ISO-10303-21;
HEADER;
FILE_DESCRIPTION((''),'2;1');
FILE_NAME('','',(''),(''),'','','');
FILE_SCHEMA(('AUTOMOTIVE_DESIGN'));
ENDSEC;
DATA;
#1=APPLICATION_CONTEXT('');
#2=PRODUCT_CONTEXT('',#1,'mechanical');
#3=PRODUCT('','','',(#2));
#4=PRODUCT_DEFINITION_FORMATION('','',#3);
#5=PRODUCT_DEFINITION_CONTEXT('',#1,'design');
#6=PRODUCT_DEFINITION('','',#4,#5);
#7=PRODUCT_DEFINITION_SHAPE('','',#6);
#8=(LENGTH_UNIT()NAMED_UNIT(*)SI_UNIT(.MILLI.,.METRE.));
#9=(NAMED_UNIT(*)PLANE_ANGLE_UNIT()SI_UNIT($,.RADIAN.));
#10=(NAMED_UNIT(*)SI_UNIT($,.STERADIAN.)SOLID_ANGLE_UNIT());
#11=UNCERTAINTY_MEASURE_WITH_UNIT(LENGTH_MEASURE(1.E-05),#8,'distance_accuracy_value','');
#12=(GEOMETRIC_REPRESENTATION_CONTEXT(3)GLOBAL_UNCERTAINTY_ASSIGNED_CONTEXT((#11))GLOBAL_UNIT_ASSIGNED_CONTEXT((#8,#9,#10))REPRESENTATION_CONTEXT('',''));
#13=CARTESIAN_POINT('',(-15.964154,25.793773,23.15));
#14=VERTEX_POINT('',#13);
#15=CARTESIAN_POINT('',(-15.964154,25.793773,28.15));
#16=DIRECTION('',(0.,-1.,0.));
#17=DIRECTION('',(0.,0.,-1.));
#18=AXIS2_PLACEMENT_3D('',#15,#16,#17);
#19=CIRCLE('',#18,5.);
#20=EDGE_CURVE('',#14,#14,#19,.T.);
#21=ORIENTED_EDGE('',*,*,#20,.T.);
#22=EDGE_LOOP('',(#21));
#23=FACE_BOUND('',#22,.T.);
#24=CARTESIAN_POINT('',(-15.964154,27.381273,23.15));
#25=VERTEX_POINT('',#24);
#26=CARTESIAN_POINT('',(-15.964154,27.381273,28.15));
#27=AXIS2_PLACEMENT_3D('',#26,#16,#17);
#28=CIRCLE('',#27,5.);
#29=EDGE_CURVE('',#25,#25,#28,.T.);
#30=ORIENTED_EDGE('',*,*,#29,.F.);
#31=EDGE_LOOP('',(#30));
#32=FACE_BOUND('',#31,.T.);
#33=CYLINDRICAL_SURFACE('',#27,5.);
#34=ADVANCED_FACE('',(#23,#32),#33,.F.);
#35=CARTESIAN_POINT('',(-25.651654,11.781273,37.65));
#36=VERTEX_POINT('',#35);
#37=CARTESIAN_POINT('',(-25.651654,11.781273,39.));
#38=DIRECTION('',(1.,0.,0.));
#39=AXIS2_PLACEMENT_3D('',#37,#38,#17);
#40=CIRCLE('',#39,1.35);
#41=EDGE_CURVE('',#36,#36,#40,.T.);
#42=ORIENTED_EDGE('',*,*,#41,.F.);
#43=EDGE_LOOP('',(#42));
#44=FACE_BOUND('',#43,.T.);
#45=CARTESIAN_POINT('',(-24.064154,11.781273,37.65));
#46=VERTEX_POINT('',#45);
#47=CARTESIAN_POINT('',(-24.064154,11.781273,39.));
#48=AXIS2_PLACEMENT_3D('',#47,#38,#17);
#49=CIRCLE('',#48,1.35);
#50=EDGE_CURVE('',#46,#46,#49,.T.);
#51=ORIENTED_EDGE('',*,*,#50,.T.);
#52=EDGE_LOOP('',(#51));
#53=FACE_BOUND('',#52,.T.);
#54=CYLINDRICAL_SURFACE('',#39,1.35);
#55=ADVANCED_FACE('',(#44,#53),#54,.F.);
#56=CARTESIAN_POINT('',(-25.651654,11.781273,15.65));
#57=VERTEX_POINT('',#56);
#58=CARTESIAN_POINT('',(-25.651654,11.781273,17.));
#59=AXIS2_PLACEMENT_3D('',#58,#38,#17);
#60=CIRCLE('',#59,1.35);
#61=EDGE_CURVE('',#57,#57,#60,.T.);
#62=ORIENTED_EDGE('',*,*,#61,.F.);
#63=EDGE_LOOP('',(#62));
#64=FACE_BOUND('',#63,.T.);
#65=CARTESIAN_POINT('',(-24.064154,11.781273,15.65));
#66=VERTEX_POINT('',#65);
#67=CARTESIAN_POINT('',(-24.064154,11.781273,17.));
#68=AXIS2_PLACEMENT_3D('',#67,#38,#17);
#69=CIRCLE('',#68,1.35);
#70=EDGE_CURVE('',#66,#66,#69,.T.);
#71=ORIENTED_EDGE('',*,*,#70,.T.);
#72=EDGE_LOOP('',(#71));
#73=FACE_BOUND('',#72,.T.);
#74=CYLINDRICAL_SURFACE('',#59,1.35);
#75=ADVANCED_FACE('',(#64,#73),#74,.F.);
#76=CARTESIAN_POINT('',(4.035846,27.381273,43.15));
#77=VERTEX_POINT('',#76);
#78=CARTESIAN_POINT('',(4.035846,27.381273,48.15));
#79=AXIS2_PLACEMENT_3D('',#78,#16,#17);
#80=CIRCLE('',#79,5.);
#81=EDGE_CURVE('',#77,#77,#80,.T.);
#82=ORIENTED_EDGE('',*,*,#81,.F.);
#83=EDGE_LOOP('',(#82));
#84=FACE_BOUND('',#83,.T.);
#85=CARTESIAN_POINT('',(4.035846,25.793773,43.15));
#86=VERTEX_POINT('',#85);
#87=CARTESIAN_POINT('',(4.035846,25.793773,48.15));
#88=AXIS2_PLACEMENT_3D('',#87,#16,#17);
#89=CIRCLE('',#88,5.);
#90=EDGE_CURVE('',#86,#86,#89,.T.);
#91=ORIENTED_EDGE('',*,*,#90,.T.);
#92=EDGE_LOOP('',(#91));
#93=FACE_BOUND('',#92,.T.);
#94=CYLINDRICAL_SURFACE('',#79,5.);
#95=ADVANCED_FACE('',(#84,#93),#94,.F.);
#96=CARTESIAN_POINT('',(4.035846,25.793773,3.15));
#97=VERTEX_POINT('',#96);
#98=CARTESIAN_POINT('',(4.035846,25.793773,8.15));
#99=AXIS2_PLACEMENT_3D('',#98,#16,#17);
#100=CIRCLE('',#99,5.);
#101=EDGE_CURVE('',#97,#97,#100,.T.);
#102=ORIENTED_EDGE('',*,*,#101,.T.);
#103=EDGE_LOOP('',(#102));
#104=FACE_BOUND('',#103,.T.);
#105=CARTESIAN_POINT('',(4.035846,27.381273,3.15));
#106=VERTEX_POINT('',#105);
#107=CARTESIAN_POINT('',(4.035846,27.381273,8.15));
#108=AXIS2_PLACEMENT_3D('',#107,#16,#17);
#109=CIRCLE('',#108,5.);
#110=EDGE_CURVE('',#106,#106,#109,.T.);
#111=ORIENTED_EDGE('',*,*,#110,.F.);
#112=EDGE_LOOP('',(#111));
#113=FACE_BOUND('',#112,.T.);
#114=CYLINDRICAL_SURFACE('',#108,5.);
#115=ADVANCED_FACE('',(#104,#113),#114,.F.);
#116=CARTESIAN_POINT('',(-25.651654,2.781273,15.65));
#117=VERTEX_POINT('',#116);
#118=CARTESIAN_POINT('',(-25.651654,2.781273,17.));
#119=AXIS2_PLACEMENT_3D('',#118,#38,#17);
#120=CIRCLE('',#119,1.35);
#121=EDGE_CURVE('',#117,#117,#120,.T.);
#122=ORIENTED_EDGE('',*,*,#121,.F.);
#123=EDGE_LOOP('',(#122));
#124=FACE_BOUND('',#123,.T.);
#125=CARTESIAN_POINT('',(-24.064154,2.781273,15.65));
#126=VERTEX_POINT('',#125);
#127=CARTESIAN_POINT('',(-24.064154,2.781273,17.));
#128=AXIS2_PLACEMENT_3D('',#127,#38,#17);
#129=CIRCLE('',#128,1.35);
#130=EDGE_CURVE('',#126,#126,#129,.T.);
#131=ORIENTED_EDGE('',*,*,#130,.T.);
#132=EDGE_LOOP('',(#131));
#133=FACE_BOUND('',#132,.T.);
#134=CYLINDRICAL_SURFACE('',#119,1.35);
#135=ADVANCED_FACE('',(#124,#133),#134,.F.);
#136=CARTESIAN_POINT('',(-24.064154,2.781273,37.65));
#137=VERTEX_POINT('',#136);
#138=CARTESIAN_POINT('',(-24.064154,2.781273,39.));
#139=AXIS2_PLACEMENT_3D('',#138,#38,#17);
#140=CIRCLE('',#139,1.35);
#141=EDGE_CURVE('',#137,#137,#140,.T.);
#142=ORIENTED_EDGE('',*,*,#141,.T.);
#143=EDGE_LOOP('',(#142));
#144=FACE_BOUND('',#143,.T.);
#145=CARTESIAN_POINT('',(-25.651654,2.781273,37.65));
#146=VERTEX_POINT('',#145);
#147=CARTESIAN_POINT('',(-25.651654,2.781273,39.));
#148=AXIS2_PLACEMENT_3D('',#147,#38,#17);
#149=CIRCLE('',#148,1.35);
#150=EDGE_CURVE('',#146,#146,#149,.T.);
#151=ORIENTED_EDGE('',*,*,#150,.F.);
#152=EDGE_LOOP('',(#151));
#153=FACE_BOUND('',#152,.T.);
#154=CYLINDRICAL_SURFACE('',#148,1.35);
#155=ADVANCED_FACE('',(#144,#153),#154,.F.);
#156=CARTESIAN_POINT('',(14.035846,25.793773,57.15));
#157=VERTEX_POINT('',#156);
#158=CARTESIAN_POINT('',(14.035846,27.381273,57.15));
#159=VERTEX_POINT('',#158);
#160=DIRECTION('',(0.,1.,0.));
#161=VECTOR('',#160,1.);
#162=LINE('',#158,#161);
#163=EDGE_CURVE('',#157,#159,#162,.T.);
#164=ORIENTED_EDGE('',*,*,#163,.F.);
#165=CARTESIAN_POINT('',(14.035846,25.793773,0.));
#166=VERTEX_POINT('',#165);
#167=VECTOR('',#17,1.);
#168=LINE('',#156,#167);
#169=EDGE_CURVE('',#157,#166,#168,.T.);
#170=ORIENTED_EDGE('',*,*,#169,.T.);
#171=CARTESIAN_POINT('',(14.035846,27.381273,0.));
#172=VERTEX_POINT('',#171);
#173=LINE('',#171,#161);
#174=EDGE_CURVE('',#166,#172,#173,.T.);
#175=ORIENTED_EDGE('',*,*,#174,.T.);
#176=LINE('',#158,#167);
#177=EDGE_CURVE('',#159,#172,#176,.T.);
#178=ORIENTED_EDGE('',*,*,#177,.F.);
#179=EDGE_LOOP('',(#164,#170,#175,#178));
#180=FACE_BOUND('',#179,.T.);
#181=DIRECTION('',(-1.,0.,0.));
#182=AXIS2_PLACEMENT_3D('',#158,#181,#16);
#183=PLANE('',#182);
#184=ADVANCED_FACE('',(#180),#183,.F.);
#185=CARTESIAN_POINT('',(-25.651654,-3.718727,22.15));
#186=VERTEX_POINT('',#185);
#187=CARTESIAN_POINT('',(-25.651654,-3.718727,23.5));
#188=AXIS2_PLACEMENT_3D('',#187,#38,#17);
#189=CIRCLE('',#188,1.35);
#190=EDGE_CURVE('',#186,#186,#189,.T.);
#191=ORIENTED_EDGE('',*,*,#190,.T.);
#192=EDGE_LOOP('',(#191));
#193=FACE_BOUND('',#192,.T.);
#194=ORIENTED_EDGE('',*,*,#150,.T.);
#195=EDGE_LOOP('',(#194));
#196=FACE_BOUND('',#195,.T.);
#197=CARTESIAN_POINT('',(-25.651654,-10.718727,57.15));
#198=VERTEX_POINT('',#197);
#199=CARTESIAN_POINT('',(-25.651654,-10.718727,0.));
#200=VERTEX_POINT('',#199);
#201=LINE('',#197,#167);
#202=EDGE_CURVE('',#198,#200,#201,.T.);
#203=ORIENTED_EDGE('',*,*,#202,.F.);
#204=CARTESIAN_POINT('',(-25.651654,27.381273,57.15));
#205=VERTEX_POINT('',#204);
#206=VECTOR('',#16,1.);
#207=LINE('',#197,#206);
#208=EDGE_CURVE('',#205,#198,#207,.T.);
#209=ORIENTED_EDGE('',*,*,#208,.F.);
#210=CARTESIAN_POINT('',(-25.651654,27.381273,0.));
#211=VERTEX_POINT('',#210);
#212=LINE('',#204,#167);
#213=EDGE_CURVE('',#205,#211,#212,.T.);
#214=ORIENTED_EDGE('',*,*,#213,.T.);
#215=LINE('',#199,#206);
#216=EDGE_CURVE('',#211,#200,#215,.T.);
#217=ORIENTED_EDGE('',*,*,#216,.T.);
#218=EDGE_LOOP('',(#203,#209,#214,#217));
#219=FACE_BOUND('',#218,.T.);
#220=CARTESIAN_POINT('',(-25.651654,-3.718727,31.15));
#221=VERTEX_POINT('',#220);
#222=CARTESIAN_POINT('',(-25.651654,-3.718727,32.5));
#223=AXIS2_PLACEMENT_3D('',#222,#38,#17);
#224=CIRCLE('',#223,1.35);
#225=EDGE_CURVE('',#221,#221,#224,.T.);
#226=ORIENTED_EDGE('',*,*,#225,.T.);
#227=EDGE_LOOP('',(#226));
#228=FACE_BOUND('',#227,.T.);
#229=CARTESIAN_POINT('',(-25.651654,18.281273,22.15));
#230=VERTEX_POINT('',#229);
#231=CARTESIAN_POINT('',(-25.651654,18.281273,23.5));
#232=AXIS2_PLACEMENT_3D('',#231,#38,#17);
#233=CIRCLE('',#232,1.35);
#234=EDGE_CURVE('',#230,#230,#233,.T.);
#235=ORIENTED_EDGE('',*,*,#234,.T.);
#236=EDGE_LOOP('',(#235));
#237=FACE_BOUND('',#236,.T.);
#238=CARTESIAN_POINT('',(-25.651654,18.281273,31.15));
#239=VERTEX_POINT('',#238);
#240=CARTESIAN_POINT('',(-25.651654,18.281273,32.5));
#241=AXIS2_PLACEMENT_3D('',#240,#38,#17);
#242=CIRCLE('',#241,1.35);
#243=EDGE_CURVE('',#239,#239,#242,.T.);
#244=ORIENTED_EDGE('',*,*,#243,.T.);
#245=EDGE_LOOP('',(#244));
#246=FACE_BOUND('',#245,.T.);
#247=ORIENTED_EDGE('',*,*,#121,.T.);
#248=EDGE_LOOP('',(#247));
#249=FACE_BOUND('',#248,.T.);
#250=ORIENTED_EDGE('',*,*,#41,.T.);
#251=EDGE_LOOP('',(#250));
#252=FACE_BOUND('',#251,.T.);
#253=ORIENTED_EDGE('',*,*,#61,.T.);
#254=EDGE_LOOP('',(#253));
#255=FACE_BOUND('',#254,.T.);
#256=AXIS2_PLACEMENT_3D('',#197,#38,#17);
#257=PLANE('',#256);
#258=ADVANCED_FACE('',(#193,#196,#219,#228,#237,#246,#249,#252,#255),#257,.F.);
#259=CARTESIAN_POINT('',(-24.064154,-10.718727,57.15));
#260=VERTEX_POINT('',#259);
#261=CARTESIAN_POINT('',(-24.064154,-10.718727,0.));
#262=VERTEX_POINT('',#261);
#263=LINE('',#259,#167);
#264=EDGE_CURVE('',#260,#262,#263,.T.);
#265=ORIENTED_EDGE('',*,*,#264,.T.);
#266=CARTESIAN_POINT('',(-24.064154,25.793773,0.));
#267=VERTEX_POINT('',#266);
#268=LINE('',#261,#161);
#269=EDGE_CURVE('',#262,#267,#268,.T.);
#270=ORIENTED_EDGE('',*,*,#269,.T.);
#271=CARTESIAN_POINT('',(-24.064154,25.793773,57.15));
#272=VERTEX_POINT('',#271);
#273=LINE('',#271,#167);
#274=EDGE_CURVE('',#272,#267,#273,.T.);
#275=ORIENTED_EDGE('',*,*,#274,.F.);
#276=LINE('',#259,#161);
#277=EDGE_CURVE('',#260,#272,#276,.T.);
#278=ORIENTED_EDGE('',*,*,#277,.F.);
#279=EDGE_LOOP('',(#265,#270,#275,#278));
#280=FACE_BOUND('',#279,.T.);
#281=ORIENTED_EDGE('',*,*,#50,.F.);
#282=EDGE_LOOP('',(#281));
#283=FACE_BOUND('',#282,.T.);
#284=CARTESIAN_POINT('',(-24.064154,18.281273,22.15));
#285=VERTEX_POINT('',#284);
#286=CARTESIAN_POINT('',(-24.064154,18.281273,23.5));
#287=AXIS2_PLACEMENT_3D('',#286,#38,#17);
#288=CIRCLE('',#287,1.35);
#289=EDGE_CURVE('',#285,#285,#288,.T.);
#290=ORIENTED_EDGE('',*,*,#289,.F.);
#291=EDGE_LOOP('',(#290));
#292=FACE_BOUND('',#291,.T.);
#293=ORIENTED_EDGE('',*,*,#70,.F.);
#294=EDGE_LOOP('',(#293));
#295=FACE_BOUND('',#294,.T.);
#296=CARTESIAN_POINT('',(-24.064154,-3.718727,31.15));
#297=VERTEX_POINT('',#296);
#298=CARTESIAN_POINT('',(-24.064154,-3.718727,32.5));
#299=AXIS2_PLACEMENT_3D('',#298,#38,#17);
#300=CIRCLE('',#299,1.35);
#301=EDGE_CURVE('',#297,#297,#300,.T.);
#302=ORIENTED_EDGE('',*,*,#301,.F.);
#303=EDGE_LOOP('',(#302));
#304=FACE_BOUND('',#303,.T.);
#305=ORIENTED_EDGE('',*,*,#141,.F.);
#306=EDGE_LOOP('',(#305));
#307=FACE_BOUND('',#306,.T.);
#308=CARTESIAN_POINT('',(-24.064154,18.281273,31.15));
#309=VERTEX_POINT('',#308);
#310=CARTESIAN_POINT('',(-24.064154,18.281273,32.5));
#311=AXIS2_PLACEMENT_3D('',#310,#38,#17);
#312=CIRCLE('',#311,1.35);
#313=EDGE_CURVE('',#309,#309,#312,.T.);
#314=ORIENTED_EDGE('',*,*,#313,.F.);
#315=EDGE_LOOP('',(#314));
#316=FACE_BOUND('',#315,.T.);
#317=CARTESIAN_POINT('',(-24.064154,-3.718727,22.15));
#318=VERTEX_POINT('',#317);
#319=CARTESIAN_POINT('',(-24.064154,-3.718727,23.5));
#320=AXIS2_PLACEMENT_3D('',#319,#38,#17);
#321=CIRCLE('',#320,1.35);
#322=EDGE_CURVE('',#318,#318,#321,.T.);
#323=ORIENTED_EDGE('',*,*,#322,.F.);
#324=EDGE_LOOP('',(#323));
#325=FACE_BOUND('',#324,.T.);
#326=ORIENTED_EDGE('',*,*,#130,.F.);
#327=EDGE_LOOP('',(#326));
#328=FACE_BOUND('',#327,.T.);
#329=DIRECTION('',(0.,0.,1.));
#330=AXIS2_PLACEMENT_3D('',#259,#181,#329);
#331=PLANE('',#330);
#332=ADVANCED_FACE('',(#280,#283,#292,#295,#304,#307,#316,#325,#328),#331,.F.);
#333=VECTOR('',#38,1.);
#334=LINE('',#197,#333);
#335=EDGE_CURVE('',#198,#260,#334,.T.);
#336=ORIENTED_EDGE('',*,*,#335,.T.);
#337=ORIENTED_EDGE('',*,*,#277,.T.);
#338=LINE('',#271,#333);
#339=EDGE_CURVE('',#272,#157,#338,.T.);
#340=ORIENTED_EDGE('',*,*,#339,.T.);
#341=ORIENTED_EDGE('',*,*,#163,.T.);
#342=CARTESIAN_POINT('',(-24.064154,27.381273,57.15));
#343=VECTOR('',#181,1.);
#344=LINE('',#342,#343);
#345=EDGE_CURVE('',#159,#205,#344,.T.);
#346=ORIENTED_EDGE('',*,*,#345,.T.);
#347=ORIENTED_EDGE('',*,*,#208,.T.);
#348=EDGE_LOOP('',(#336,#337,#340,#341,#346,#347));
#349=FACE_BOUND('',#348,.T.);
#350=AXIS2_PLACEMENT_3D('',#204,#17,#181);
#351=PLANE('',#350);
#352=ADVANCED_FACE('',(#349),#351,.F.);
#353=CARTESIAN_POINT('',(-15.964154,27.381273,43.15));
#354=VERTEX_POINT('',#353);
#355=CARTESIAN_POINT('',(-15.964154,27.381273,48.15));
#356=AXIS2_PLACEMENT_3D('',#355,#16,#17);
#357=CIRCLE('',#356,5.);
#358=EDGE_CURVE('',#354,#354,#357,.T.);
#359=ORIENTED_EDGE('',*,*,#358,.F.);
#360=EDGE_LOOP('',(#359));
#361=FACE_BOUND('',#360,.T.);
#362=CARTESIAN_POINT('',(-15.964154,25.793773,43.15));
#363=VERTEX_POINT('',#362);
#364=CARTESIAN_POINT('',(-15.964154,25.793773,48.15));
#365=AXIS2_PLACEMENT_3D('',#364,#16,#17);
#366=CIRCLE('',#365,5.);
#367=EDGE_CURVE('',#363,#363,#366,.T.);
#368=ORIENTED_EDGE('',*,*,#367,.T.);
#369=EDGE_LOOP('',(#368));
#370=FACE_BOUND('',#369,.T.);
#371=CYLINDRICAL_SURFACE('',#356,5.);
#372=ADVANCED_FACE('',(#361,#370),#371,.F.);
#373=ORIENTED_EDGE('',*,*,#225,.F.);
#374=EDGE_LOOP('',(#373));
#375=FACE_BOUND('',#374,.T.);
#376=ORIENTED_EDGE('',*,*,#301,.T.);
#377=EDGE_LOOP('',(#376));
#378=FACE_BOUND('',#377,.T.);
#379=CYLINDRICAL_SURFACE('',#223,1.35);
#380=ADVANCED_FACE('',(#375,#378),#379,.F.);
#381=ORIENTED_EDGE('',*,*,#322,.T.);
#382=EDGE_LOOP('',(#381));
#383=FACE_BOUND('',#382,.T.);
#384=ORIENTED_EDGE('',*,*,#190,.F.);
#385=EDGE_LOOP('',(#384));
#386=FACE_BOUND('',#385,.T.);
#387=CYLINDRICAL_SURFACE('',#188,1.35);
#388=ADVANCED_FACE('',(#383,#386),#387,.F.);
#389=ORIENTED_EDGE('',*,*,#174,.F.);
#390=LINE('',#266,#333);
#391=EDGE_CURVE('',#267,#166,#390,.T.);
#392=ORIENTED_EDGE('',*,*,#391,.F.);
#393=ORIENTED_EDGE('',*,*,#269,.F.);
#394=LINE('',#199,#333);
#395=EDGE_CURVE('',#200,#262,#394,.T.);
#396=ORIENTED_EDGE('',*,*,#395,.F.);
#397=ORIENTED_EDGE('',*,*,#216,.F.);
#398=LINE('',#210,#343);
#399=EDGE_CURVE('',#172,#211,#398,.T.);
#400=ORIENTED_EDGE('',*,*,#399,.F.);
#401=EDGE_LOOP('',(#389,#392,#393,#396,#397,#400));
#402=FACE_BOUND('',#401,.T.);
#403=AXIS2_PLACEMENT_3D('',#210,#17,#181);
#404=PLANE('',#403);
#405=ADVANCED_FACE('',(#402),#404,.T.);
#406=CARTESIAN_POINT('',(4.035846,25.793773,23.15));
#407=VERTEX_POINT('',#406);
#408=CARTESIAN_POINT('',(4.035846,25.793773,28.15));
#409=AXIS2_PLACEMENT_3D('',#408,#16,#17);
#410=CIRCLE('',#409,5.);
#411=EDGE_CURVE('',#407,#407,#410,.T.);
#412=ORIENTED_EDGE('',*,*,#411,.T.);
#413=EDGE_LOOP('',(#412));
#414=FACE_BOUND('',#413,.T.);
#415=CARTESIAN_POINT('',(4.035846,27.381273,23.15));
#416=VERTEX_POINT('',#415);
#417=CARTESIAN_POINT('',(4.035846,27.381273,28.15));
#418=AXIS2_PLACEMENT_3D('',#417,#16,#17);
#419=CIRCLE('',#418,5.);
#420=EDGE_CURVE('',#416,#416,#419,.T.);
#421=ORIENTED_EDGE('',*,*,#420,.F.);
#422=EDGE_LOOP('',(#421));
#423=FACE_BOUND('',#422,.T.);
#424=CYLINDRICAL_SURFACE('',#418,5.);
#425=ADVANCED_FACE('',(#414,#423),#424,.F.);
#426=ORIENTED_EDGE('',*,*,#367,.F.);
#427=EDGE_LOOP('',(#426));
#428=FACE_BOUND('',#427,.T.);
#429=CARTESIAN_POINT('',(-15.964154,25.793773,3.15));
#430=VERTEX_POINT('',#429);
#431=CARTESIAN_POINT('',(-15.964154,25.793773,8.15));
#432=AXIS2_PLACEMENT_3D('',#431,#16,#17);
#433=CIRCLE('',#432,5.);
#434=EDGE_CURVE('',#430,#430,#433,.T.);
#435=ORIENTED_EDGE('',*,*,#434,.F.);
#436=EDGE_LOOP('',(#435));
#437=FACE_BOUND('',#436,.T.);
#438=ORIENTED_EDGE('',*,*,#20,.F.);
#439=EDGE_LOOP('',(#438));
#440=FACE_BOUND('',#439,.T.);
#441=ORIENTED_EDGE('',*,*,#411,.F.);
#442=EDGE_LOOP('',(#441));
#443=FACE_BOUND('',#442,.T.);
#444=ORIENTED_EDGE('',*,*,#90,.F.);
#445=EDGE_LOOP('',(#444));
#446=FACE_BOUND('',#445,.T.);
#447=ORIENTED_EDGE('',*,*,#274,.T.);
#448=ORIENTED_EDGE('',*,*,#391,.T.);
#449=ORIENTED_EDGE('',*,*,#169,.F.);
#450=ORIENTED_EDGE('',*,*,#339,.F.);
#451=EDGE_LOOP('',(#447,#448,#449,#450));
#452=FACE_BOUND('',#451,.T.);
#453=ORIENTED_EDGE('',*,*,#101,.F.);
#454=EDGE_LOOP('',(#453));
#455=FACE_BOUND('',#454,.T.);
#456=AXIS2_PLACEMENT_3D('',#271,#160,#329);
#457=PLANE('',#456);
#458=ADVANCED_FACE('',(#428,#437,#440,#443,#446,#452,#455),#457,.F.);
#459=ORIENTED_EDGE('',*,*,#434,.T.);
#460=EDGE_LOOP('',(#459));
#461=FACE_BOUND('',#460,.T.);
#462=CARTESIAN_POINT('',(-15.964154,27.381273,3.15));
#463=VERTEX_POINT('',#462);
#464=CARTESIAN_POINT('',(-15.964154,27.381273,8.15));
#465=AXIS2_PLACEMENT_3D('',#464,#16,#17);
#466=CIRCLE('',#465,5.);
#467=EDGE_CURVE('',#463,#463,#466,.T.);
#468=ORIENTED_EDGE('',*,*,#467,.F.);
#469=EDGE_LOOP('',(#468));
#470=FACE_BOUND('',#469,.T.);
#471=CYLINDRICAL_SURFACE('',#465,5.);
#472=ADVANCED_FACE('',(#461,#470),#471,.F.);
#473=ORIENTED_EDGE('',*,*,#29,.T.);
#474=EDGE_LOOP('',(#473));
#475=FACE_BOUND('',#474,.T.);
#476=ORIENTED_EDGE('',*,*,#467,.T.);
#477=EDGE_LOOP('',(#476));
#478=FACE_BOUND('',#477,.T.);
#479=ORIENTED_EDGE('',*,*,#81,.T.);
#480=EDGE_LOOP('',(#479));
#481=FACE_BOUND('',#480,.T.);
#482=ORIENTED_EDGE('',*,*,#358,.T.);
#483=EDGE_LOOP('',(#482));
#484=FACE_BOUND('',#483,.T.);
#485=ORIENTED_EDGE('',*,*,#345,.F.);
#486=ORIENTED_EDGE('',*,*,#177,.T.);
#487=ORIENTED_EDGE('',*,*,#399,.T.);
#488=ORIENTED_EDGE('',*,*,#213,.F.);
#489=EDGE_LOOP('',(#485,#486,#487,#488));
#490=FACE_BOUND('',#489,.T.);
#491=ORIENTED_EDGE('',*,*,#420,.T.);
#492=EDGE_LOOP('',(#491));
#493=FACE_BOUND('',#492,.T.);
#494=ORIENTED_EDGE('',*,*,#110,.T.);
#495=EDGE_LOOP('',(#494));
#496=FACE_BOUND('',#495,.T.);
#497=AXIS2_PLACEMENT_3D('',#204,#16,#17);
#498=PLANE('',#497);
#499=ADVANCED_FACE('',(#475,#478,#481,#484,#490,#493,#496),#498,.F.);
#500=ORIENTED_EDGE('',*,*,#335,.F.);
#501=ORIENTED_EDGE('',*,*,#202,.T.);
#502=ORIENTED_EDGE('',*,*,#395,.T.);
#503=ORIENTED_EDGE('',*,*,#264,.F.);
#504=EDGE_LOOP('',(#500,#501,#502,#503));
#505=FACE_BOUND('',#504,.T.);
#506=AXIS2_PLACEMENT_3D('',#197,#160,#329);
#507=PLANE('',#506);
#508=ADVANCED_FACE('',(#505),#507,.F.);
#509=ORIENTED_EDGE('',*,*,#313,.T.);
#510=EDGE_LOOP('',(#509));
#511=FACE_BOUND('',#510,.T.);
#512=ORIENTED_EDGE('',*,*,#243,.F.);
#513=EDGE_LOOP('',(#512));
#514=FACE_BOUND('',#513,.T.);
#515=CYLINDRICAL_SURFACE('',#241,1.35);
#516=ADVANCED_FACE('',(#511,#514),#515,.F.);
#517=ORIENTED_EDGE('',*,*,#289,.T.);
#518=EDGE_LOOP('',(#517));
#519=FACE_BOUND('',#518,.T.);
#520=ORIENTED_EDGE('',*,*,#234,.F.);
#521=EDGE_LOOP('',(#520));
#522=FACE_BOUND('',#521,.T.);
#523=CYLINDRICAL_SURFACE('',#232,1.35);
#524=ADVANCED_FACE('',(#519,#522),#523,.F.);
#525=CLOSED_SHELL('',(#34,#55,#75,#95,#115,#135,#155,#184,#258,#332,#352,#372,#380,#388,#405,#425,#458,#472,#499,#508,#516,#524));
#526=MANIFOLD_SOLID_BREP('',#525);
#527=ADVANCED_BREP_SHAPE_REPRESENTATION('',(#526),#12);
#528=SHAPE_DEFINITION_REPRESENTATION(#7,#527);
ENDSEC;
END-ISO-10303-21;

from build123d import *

# Parameters (mm, degrees)
BOSS_EXTRUDE1_DEPTH = 57.15
SKETCH3_R           = 1.35
CUT_EXTRUDE1_DEPTH  = 2.5875
SKETCH2_R           = 5
CUT_EXTRUDE2_DEPTH  = 2.5875


with BuildPart() as part:
    # Sketch1 → Boss-Extrude1 (new body)
    with BuildSketch(Plane.XY):
        Polygon((-25.651653512, -10.718726646), (-24.064153512, -10.718726646), (-24.064153512, 25.793773354), (14.035846488, 25.793773354), (14.035846488, 27.381273354), (-24.064153512, 27.381273354), (-25.651653512, 27.381273354), align=None)
    extrude(amount=BOSS_EXTRUDE1_DEPTH)

    # Sketch3 → Cut-Extrude1 (cut, through all)
    with BuildSketch(Plane(origin=(-24.064153512, 0, 0), x_dir=(0, 0, -1), z_dir=(1, 0, 0))):
        with Locations((-32.5, 18.281273354)):
            Circle(SKETCH3_R)
        with Locations((-23.5, 18.281273354)):
            Circle(SKETCH3_R)
        with Locations((-17, 11.781273354)):
            Circle(SKETCH3_R)
        with Locations((-17, 2.781273354)):
            Circle(SKETCH3_R)
        with Locations((-23.5, -3.718726646)):
            Circle(SKETCH3_R)
        with Locations((-32.5, -3.718726646)):
            Circle(SKETCH3_R)
        with Locations((-39, 2.781273354)):
            Circle(SKETCH3_R)
        with Locations((-39, 11.781273354)):
            Circle(SKETCH3_R)
    extrude(amount=-CUT_EXTRUDE1_DEPTH, mode=Mode.SUBTRACT)

    # Sketch2 → Cut-Extrude2 (cut, through all)
    with BuildSketch(Plane.XZ.offset(-25.793773354)):
        with Locations((4.035846488, 48.15)):
            Circle(SKETCH2_R)
        with Locations((4.035846488, 28.15)):
            Circle(SKETCH2_R)
        with Locations((4.035846488, 8.15)):
            Circle(SKETCH2_R)
        with Locations((-15.964153512, 48.15)):
            Circle(SKETCH2_R)
        with Locations((-15.964153512, 28.15)):
            Circle(SKETCH2_R)
        with Locations((-15.964153512, 8.15)):
            Circle(SKETCH2_R)
    extrude(amount=-CUT_EXTRUDE2_DEPTH, mode=Mode.SUBTRACT)


solid = part.part
